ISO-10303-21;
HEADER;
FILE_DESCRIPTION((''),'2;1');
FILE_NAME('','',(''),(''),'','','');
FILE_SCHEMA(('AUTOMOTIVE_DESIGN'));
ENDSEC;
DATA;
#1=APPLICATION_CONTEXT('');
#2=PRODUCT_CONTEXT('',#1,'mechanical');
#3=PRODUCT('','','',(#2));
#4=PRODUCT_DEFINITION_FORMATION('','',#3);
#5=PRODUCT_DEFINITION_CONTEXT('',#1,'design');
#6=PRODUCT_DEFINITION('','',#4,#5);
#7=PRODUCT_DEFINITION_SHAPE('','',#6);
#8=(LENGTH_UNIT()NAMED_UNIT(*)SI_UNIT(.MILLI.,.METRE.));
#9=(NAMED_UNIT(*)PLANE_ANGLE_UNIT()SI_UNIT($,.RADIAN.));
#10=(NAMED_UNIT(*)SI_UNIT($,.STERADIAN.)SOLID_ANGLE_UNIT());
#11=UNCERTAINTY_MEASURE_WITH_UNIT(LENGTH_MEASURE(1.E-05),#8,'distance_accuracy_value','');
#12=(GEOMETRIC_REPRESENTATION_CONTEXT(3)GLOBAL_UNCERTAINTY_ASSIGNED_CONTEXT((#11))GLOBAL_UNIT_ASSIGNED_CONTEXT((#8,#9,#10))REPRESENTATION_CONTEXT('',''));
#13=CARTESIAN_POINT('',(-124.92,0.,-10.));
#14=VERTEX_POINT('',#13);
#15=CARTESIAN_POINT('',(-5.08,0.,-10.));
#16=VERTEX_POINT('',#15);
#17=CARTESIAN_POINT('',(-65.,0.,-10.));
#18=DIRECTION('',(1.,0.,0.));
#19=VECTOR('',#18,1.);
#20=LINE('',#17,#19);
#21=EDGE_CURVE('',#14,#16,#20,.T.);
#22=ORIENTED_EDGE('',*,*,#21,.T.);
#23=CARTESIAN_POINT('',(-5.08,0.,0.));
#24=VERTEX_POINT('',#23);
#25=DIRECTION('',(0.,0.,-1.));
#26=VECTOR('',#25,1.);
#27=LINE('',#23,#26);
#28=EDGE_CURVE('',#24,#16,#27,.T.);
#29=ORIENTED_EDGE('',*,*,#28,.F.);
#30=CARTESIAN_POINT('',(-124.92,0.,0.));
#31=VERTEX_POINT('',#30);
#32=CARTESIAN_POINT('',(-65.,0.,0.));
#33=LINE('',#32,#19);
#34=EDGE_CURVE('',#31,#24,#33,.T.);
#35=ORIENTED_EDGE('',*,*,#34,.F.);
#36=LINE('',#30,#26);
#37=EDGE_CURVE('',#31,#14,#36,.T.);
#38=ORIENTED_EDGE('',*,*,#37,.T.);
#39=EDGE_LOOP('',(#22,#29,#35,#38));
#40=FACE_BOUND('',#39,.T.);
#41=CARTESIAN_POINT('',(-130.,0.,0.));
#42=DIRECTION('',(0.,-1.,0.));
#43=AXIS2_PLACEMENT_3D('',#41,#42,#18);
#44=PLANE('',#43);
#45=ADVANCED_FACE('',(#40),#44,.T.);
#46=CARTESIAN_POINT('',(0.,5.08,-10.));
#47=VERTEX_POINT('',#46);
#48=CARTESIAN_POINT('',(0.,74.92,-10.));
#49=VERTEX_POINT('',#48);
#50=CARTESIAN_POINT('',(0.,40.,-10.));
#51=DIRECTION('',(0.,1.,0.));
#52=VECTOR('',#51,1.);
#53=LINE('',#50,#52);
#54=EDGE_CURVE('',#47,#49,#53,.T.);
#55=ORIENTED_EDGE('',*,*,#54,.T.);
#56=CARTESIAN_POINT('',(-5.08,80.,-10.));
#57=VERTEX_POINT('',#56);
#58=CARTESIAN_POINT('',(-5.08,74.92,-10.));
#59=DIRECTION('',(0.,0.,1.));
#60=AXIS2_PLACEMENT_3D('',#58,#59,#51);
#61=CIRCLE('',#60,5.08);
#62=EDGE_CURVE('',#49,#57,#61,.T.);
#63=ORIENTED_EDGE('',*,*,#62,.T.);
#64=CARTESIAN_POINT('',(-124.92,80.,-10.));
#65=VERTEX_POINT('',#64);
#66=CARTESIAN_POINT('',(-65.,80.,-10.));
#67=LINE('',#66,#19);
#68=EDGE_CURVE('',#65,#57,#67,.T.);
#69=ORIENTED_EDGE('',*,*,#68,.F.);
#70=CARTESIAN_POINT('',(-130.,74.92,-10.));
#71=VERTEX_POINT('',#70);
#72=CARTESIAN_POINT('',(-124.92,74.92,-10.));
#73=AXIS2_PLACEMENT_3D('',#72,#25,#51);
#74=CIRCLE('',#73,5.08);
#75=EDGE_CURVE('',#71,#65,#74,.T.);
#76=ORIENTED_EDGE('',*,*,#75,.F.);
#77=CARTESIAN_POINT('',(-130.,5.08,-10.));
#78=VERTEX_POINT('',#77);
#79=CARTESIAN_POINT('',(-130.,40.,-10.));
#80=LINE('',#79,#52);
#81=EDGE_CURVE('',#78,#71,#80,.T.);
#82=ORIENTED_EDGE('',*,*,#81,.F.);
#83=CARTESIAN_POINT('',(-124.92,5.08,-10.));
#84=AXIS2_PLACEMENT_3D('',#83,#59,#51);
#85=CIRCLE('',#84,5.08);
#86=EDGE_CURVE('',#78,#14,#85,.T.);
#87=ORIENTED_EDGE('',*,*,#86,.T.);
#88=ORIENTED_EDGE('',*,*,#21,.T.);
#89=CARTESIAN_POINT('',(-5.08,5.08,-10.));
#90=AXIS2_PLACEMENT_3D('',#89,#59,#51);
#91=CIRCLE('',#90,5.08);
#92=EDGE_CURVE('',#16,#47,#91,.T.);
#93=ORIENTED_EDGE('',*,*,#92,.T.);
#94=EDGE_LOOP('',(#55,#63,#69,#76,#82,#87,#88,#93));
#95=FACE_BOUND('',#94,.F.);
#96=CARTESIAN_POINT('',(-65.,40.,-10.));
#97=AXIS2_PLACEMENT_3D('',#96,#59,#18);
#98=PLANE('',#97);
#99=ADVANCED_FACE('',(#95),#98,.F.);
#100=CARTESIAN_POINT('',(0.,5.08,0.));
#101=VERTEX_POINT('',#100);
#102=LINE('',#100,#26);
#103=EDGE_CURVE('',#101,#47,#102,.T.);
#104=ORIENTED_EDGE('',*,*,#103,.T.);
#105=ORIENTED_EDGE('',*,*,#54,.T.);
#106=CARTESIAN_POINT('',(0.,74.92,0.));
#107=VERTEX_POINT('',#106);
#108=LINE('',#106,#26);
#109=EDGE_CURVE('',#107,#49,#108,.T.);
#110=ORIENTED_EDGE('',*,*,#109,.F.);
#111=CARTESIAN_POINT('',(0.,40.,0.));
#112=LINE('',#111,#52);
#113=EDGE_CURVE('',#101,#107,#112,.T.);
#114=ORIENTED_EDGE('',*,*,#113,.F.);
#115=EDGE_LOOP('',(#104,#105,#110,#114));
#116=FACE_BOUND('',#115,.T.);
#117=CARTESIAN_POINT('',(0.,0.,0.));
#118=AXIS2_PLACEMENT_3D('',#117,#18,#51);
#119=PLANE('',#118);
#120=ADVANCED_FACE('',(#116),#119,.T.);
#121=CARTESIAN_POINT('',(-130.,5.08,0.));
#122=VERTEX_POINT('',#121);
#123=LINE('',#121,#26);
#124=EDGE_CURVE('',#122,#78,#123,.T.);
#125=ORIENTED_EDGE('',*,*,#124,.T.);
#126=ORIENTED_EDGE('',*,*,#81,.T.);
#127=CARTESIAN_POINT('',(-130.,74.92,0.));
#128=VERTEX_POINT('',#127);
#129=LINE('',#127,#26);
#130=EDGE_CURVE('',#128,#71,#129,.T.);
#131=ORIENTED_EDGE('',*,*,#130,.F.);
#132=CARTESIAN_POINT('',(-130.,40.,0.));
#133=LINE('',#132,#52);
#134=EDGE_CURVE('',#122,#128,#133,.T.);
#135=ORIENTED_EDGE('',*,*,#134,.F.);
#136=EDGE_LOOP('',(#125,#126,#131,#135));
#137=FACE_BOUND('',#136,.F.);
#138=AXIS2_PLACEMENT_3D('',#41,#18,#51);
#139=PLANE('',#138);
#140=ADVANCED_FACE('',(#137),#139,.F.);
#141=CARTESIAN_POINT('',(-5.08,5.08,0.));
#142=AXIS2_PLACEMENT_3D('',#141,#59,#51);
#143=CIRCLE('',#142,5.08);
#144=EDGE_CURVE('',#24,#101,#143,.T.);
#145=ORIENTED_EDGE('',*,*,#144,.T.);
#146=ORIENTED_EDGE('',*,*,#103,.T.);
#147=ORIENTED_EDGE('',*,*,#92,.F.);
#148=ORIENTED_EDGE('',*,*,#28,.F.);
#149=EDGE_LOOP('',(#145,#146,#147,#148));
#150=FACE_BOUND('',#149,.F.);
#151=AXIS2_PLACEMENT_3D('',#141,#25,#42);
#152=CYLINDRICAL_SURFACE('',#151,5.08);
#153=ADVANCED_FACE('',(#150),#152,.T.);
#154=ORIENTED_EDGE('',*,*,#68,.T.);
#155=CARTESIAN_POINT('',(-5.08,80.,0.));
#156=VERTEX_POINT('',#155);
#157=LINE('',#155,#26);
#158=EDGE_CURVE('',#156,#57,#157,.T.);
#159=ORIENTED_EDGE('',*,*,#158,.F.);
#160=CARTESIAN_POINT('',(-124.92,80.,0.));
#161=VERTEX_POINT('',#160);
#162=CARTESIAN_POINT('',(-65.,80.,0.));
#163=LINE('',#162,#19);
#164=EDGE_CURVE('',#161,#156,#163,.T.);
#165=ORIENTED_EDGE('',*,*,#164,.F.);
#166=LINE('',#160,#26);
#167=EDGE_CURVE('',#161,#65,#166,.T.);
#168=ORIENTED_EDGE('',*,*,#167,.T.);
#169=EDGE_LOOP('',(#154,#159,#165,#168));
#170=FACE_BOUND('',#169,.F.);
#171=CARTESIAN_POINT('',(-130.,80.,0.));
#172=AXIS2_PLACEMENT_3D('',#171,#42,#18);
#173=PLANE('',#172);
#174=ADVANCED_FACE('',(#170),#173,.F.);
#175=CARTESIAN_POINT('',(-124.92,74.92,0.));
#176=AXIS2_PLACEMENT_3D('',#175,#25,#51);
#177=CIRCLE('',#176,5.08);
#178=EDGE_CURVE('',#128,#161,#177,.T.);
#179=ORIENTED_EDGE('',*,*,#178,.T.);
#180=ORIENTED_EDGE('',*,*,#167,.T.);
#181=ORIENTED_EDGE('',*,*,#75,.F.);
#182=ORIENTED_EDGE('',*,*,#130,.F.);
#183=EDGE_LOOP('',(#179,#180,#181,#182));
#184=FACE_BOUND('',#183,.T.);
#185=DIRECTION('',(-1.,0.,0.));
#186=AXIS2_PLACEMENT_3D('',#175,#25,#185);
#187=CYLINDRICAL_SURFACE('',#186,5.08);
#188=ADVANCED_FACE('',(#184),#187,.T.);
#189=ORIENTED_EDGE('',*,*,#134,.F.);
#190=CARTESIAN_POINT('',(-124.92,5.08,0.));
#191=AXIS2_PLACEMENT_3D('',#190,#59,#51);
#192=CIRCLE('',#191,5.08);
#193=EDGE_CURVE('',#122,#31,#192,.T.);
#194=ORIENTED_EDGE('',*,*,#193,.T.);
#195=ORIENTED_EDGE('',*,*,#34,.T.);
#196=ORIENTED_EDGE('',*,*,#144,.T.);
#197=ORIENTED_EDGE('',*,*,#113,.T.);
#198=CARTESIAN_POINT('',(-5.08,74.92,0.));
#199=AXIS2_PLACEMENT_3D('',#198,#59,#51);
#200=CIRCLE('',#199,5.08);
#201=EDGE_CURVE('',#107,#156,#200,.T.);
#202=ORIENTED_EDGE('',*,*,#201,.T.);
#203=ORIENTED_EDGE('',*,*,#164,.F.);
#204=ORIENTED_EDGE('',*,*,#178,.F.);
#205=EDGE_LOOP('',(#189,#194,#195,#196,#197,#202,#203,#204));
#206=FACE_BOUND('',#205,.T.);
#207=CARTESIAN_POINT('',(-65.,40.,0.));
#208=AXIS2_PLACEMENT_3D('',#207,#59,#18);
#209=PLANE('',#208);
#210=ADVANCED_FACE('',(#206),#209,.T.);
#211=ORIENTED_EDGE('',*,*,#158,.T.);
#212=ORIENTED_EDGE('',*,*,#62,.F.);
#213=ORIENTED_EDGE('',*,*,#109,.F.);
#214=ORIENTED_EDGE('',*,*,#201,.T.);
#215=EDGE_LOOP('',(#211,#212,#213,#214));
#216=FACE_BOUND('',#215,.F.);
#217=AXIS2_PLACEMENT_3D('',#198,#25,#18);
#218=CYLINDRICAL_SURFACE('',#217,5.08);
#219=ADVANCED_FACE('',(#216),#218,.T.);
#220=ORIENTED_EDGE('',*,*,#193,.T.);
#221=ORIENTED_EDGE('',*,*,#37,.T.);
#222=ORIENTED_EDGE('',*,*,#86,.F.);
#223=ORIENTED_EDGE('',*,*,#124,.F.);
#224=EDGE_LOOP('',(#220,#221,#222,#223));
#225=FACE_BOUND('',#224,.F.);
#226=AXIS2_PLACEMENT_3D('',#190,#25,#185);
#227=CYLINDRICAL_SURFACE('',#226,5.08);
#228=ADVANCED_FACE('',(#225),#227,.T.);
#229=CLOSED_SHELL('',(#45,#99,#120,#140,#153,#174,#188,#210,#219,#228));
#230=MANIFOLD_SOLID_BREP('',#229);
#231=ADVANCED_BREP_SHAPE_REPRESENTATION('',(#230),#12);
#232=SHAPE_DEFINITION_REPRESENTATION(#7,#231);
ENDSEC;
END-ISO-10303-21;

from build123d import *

# Parameters (mm, degrees)
F0_W     = 130
F0_H     = 80
F1_DEPTH = 10
F2_R     = 5.08


with BuildPart() as f1:
    # F0 (on Top) → F1 (new body)
    with BuildSketch(Plane.XY):
        with Locations((-65, 40)):
            Rectangle(F0_W, F0_H)
    extrude(amount=-F1_DEPTH)

    # F2
    f2_edges = [f1.edges().sort_by_distance(p)[0] for p in [
        (-130, 80, -5),
        (0, 80, -5),
        (0, 0, -5),
        (-130, 0, -5),
    ]]
    fillet(f2_edges, radius=F2_R)


solid = f1.part
